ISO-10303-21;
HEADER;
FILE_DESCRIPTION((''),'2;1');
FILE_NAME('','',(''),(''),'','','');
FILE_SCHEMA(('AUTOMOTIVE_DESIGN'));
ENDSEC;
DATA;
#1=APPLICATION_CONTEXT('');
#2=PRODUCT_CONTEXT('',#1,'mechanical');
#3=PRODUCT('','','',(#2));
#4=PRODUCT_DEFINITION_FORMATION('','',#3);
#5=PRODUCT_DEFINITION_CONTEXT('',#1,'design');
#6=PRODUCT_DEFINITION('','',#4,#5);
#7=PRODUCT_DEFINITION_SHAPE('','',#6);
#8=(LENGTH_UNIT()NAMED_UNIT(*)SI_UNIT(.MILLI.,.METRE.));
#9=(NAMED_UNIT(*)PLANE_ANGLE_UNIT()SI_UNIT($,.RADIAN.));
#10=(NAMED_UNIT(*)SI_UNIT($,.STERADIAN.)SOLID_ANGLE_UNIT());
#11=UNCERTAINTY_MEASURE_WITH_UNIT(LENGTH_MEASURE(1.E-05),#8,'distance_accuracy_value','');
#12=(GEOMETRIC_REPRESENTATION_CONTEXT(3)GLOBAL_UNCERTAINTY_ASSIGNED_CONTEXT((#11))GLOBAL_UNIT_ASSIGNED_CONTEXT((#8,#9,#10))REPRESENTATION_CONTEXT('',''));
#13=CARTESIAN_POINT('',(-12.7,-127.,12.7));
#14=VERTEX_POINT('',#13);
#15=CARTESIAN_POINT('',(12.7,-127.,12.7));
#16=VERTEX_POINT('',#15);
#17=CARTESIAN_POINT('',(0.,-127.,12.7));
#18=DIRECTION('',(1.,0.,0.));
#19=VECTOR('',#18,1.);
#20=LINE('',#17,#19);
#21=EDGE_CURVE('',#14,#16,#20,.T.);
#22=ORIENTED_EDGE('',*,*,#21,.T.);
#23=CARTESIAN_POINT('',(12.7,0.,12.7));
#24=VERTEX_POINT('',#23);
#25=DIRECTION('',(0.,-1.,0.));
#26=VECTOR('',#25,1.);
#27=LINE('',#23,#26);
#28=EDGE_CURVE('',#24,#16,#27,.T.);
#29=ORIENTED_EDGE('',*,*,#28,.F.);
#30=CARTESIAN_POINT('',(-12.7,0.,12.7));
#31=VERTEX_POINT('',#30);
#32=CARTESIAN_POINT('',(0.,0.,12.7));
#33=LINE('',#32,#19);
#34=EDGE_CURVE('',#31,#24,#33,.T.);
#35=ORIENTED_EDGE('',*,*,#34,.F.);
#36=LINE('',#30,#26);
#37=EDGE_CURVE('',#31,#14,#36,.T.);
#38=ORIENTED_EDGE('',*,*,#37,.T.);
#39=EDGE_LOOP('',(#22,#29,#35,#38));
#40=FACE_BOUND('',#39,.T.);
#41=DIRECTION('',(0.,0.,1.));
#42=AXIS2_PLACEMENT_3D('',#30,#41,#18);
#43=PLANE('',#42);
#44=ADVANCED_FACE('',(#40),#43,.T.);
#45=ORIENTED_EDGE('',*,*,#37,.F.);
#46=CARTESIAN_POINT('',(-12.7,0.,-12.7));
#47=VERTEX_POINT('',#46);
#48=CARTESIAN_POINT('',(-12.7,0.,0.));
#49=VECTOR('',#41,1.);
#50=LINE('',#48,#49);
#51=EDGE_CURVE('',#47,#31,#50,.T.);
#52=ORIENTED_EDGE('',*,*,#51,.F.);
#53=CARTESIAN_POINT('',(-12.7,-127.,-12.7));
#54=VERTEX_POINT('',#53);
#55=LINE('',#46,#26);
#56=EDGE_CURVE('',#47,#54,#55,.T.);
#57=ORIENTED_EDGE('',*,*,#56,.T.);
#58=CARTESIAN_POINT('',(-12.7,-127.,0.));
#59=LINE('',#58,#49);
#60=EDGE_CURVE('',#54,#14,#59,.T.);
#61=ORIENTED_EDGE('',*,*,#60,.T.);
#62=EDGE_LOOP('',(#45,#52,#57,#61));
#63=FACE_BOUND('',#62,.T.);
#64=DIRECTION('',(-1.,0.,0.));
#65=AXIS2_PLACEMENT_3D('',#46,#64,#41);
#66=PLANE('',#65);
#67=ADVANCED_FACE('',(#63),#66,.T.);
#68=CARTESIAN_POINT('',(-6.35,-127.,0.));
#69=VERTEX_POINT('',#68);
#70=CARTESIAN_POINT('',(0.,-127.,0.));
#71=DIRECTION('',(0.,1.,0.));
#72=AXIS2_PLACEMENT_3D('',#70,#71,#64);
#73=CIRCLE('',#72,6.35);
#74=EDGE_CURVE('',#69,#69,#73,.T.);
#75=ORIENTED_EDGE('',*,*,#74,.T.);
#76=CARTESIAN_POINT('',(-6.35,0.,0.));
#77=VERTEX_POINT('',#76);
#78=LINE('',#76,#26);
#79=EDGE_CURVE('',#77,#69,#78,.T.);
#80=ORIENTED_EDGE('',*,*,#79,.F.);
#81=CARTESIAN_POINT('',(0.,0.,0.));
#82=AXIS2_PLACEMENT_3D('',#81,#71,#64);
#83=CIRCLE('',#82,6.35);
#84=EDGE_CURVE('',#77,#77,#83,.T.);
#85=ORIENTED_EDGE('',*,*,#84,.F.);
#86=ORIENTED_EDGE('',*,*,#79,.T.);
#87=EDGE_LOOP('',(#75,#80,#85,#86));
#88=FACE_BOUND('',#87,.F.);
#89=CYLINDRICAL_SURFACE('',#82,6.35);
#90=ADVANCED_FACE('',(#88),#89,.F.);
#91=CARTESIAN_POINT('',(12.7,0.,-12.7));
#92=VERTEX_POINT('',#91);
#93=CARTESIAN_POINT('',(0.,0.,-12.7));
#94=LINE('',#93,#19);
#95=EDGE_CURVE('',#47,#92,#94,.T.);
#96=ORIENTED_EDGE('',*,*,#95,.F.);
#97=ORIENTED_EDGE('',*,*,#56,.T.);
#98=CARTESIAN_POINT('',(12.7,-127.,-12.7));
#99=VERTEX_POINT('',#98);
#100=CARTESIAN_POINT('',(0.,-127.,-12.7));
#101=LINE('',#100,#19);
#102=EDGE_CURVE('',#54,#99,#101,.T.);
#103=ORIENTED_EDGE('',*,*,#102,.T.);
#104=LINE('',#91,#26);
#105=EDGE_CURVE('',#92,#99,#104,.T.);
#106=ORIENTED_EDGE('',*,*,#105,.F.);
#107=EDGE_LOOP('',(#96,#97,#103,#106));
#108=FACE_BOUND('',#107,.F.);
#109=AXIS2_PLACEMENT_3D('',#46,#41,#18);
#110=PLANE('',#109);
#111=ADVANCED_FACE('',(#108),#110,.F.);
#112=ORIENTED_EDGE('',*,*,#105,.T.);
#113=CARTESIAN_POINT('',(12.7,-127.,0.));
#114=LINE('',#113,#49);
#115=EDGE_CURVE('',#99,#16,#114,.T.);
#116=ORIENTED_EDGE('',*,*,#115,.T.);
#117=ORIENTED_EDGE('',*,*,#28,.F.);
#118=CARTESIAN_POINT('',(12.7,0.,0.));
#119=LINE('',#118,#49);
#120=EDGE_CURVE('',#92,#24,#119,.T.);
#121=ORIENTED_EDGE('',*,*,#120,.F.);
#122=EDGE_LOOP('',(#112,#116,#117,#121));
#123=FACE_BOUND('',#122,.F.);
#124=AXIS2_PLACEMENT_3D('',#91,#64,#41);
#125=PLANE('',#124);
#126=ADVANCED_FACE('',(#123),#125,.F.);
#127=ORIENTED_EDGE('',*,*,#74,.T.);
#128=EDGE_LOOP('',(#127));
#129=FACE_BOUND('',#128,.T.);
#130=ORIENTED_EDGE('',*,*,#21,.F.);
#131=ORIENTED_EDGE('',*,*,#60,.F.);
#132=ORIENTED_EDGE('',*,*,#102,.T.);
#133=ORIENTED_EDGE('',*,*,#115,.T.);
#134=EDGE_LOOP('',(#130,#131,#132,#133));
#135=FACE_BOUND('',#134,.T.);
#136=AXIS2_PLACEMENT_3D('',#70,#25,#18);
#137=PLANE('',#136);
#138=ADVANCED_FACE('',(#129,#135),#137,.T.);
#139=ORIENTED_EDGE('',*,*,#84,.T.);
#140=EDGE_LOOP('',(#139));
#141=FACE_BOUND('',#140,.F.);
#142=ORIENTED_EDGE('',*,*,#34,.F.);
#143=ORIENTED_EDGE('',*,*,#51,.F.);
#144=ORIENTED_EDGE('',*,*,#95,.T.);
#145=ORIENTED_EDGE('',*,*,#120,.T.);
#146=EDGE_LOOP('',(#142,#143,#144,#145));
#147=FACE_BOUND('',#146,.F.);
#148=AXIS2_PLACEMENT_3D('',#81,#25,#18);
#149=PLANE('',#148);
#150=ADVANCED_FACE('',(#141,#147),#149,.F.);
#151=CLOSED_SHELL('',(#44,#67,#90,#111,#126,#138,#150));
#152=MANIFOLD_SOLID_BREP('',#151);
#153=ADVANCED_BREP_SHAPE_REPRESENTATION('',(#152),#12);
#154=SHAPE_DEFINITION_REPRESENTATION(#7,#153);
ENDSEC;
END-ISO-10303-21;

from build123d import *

# Parameters (mm, degrees)
F0_W     = 25.4
F0_H     = 25.4
F1_DEPTH = 127
F2_R     = 6.35
F3_DEPTH = 127


with BuildPart() as f1:
    # F0 (on Front) → F1 (new body)
    with BuildSketch(Plane.XZ):
        Rectangle(F0_W, F0_H)
    extrude(amount=F1_DEPTH)

    # F2 (on face) → F3 (cut, through all)
    with BuildSketch(Plane(origin=(0, 0, 0), x_dir=(-1, 0, 0), z_dir=(0, 1, 0))):
        Circle(F2_R)
    extrude(amount=-F3_DEPTH, mode=Mode.SUBTRACT)


solid = f1.part
